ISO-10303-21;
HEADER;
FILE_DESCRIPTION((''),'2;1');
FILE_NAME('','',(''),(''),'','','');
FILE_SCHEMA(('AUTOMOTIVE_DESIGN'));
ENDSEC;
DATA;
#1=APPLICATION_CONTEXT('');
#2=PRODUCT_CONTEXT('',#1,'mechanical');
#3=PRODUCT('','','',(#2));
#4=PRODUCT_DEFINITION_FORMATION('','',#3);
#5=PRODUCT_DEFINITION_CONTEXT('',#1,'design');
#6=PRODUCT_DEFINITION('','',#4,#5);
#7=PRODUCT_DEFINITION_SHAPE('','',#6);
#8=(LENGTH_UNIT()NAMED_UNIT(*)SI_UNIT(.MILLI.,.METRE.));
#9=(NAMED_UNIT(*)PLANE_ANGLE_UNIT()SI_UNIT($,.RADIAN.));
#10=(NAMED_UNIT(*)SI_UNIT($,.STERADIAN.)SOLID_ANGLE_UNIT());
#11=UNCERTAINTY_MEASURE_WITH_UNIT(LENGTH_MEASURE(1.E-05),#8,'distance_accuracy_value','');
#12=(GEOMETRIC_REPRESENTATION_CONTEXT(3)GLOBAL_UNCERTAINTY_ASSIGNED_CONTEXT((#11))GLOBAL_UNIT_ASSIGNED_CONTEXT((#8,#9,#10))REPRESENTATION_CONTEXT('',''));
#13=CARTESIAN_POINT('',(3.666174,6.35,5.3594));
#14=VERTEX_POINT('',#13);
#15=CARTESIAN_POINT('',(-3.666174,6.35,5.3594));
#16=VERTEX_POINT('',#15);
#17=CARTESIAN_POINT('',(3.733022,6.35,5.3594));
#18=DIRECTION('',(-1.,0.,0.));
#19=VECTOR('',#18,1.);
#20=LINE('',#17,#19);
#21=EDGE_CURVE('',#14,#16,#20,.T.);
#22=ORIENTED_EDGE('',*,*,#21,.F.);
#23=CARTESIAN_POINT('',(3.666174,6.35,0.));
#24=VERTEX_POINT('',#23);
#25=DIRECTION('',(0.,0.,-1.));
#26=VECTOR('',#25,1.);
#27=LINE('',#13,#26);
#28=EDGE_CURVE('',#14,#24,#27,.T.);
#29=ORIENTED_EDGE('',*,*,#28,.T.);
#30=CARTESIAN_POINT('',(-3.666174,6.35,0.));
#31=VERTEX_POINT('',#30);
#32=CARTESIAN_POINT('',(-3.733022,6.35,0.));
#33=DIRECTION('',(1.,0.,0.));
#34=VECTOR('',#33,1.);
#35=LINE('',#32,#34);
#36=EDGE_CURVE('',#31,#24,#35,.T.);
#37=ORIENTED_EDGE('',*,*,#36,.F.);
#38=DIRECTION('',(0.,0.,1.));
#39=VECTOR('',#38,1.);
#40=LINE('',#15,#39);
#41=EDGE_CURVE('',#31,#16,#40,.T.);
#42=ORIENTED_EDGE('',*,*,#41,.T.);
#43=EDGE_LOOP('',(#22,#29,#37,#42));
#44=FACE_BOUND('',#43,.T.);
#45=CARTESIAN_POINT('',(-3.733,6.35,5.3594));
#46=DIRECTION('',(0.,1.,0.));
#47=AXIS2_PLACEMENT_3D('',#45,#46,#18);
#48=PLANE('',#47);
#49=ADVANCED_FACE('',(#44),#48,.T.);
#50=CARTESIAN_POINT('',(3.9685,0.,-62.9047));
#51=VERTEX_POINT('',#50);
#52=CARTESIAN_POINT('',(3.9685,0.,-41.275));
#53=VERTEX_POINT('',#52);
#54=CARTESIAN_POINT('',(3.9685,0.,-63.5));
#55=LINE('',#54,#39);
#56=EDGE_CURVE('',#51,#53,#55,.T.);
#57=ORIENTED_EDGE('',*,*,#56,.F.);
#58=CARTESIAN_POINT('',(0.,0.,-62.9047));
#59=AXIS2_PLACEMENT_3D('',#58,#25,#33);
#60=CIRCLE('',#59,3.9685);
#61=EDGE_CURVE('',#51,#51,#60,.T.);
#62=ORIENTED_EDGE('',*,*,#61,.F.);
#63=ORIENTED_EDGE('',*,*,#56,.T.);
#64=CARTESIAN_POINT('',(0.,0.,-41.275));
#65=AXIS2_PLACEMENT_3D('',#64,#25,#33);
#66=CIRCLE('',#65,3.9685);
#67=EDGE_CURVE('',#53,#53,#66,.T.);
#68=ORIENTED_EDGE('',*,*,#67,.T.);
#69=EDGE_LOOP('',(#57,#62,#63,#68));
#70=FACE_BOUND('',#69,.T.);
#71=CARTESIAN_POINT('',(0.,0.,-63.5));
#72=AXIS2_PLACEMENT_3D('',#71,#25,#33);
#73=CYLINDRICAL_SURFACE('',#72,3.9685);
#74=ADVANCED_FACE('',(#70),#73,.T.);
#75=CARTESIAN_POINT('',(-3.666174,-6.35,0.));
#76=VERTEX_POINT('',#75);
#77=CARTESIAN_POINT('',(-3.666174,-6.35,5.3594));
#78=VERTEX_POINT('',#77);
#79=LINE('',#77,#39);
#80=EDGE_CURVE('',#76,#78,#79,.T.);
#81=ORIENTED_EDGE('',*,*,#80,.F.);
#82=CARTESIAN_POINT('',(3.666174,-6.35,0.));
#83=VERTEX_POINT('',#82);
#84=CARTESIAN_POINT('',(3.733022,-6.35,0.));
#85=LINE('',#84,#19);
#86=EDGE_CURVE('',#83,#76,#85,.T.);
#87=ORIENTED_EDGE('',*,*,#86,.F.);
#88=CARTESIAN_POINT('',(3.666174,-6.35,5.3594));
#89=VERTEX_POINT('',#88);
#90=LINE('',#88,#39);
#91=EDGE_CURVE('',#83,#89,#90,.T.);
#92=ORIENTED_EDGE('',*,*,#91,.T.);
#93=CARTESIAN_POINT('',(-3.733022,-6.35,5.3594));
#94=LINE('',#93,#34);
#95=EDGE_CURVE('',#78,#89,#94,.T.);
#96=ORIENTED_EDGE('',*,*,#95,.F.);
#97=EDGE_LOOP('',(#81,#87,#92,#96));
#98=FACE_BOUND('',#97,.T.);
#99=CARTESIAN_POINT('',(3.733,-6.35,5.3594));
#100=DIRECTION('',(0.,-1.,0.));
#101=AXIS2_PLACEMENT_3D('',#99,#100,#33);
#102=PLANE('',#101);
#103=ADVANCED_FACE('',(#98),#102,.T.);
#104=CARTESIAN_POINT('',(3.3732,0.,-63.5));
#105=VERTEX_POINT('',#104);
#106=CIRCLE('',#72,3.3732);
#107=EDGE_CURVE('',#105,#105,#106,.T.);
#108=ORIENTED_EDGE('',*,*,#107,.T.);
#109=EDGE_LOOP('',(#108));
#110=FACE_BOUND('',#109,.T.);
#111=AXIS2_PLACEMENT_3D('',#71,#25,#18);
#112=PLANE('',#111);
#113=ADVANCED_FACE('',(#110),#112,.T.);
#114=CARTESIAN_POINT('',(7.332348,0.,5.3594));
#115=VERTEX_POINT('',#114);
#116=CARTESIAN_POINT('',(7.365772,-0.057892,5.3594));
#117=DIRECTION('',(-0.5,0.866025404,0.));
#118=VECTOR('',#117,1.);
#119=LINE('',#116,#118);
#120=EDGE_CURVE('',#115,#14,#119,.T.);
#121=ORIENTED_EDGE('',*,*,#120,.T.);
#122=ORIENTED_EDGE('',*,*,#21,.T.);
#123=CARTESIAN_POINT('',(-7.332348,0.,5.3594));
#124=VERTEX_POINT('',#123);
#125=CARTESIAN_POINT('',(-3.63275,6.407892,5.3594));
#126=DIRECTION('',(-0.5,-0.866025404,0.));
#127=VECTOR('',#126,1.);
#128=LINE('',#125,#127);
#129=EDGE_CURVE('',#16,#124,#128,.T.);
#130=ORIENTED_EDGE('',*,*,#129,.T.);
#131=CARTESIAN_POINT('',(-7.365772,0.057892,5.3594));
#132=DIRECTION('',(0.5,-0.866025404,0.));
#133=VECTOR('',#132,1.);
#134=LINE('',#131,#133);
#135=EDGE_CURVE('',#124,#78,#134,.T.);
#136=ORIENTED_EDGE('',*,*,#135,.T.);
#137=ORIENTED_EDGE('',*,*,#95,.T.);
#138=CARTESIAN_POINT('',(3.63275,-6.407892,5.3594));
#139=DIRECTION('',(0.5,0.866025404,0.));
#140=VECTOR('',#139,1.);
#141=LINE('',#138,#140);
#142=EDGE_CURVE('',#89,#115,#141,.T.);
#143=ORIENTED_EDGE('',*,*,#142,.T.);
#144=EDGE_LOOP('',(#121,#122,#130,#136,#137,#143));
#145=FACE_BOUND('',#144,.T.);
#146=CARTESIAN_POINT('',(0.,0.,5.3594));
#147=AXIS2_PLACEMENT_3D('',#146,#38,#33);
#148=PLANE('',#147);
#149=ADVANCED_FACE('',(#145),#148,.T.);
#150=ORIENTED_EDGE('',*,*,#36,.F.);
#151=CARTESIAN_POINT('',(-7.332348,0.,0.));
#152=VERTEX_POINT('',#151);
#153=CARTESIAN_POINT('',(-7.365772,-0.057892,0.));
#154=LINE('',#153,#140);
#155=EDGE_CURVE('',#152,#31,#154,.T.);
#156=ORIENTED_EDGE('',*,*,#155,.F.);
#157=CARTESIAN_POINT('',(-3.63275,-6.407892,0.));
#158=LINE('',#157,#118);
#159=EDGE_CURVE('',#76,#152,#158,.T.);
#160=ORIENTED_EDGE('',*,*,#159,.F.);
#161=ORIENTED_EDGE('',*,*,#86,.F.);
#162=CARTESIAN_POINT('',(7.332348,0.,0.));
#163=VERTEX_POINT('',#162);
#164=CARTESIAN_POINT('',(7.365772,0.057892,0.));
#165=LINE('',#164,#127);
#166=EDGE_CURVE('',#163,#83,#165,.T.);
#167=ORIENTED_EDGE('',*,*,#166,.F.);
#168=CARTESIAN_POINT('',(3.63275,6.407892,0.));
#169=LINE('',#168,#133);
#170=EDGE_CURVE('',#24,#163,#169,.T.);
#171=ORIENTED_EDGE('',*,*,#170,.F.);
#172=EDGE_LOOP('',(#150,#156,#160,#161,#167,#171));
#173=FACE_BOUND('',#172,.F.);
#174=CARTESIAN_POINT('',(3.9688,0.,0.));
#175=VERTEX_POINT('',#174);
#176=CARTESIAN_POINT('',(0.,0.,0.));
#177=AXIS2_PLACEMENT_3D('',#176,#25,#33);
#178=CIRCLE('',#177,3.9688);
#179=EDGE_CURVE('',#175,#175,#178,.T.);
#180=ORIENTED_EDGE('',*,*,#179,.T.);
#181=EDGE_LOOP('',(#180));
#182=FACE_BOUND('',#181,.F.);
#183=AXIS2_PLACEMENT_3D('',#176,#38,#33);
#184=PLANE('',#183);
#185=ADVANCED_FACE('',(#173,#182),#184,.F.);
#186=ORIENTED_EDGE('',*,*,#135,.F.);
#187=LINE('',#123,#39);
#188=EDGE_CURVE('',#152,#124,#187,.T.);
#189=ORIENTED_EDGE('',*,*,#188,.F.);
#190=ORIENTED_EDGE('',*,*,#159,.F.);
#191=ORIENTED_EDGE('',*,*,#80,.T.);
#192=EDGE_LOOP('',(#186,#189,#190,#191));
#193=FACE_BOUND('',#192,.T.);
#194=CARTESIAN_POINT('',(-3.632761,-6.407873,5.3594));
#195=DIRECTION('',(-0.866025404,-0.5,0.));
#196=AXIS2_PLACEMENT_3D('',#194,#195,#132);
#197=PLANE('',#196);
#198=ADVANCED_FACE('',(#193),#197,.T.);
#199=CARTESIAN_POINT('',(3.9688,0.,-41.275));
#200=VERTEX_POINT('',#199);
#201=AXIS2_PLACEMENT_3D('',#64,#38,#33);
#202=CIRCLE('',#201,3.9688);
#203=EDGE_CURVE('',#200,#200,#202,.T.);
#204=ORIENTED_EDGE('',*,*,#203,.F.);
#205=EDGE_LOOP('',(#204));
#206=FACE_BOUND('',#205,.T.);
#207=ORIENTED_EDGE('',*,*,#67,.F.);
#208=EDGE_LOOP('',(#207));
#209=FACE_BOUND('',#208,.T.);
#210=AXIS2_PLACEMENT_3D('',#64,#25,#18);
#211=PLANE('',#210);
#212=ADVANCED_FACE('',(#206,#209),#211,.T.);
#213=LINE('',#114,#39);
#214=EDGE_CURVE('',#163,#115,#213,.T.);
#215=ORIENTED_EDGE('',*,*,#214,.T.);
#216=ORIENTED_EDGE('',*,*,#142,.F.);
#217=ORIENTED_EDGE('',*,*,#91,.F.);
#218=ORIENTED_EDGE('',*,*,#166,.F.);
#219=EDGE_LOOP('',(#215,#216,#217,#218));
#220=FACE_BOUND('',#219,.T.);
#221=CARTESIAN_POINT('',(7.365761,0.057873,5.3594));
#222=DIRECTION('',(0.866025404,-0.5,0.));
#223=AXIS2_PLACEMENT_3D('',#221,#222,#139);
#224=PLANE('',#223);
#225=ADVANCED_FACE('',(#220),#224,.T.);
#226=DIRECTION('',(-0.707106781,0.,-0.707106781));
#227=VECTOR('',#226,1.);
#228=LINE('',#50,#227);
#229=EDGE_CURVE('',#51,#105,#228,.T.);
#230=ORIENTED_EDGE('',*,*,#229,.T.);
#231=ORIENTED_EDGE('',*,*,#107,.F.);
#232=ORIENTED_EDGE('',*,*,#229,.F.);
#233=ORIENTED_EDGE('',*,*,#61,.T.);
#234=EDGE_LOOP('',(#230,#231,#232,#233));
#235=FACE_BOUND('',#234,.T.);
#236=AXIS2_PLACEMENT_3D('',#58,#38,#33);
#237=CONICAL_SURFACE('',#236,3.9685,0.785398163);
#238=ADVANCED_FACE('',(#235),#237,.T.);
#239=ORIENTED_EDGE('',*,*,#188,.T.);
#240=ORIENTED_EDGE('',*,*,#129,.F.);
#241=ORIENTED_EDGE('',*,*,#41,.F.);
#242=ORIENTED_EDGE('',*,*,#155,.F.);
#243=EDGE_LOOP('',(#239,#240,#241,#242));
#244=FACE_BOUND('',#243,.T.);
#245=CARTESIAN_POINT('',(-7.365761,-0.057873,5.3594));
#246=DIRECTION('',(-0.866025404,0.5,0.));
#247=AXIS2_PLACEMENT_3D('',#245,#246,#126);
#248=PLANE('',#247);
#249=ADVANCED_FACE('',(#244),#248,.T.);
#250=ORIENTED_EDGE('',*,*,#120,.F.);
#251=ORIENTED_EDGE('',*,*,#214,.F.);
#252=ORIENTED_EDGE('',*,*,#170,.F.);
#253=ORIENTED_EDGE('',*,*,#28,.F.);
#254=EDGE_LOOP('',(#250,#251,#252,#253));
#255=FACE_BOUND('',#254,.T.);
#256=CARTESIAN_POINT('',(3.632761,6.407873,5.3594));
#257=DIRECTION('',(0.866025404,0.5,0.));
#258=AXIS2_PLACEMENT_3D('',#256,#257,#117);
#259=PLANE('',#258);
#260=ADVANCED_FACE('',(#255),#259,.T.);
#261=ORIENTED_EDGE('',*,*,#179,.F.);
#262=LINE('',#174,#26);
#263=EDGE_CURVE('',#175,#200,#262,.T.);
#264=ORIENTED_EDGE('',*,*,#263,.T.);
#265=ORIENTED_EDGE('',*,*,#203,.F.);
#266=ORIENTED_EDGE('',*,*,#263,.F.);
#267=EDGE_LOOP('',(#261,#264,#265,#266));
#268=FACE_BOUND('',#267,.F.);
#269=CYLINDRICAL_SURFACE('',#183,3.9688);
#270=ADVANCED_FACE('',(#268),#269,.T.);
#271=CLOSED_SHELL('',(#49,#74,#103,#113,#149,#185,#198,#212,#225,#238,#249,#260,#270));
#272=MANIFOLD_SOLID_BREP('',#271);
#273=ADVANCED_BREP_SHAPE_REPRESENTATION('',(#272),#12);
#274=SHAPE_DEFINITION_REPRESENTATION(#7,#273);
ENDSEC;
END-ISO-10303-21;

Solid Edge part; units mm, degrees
sketch "Sketch1" plane through (0, 0, 0) normal (0, 0, 1) x (1, 0, 0)
  circle A0 centre (0, 0) radius 7.366
  dimension "D1" = 14.732
extrude "Protrusion1" add sketch "Sketch1" along normal blind 5.3594
sketch "Sketch2" plane through (0, 0, 0) normal (0, 0, -1) x (1, 0, 0)
  circle A0 centre (0, 0) radius 3.9688
extrude "Protrusion2" add sketch "Sketch2" along normal blind 63.5
sketch "Sketch3" plane through (0, 0, -63.5) normal (0, 0, -1) x (1, 0, 0)
  circle A0 centre (0, 0) radius 3.9685
extrude "Cutout1" cut sketch "Sketch3" against normal blind 22.225 flip side to cut
chamfer "Chamfer_1" distance 0.5953 angle 45 1 edges at (-3.9685, 0, -63.5)
sketch "Sketch4" plane through (0, 0, 5.3594) normal (0, 0, 1) x (1, 0, 0)
  line L0 (-3.733, 6.35) -> (3.733, 6.35)
  dimension "D1" = 12.7
extrude "Cutout2" cut sketch "Sketch4" against normal up to next material side at (0, 6.4, 5.3594)
pattern_circular "Pattern1" count 6 over 360 about axis through (0, 0, 5.3594) along (0, 0, 1) of "Cutout2"
properties part number "185536"
